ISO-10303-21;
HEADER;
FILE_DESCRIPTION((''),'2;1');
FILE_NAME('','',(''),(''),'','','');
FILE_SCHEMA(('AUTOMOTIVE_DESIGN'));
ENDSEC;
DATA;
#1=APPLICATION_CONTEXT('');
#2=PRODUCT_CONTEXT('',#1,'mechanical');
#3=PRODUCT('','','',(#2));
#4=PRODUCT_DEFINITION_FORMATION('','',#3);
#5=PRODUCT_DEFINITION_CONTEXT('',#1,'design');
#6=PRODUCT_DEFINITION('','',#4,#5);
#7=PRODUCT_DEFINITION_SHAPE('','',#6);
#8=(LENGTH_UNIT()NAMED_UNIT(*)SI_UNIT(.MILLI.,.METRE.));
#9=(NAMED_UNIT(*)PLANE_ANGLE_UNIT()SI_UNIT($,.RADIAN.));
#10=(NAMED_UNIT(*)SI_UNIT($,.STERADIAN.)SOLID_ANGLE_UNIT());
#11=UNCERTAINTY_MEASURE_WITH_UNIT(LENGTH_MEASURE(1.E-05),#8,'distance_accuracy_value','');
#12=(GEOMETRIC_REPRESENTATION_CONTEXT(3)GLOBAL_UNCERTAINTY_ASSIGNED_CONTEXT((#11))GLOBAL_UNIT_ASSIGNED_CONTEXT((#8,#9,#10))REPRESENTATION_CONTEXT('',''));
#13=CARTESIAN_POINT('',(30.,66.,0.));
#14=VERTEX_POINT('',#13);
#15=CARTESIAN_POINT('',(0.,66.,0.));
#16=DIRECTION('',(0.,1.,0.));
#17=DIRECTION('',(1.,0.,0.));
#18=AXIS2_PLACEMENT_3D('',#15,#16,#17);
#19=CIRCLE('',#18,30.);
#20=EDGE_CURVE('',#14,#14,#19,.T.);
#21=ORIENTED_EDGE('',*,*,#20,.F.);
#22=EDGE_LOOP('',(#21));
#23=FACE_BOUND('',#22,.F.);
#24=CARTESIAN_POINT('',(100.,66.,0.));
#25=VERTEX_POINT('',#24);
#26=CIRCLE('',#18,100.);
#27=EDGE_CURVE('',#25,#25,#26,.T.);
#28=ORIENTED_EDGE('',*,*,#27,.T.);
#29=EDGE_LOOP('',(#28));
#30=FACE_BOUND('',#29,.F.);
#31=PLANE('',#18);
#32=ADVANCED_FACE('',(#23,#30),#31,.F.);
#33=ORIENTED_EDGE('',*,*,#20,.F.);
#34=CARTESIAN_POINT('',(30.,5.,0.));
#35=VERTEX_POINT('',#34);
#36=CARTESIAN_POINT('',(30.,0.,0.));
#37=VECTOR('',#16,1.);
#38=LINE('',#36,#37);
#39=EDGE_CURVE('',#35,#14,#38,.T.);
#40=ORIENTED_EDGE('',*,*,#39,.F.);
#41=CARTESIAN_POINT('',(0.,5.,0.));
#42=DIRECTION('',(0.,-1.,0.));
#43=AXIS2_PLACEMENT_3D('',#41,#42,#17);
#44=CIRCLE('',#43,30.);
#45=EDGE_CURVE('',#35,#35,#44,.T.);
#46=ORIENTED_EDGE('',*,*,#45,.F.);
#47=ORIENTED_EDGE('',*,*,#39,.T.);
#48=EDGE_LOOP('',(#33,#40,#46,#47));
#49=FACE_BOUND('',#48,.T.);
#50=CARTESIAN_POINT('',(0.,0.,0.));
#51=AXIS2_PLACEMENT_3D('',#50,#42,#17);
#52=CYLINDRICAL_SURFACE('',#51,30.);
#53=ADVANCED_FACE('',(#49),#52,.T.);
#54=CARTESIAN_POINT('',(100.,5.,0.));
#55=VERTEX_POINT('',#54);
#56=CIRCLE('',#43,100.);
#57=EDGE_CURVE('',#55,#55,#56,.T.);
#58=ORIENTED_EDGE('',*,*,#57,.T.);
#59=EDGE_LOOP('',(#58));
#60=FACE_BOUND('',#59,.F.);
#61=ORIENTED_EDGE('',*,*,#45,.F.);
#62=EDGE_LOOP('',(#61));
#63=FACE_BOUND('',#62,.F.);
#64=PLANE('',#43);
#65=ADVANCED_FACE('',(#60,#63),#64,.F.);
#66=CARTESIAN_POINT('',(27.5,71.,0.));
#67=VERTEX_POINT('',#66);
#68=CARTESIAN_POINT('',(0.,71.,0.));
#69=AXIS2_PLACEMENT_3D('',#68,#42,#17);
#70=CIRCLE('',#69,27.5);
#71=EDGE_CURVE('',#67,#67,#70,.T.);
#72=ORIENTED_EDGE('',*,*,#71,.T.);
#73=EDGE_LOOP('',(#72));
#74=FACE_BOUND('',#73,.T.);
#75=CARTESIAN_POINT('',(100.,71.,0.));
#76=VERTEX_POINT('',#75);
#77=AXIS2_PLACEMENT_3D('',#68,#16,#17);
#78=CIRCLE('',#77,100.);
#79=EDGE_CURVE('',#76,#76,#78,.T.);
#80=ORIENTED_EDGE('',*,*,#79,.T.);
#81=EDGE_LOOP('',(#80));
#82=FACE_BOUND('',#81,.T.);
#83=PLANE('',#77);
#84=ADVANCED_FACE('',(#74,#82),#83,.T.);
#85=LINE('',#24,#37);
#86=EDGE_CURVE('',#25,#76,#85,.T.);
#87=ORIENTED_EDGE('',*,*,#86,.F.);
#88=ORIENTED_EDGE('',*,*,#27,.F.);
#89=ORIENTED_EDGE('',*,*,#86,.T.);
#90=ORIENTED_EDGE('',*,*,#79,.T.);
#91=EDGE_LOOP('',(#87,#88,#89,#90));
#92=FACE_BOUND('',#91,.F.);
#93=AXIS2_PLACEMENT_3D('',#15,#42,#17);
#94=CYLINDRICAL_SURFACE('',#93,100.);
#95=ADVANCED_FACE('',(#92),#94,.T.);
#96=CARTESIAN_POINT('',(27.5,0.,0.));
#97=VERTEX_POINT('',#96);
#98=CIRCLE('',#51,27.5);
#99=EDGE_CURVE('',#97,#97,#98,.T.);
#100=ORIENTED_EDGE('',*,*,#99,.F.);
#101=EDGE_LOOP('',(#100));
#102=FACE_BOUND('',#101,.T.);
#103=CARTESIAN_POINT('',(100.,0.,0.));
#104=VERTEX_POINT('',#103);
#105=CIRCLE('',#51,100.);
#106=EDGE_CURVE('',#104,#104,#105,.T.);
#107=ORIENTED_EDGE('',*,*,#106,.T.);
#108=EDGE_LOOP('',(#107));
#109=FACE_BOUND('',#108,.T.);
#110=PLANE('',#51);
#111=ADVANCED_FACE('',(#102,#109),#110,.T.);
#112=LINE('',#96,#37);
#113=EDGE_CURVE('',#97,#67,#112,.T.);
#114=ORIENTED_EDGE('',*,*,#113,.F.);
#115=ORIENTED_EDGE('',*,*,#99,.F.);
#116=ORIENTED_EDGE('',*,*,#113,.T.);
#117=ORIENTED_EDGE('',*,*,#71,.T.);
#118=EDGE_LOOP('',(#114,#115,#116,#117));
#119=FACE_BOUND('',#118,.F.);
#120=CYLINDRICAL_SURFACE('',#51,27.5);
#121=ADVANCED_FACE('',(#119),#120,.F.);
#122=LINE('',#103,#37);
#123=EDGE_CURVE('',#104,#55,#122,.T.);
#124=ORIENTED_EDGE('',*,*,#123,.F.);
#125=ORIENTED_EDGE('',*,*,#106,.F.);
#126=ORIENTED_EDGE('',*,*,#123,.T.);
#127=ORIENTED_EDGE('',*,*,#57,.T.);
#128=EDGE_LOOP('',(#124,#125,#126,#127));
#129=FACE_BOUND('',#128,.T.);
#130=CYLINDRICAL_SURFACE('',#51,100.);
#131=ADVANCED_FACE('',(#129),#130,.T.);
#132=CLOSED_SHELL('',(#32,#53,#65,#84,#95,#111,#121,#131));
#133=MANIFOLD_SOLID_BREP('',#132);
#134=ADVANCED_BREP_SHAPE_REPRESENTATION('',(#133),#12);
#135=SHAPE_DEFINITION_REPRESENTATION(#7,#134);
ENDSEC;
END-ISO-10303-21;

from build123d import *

# Parameters (mm, degrees)
F0_R        = 100
F0_R_2      = 30
F1_DEPTH    = 5
F2_START    = 61
F1_FACE_R   = 100
F1_FACE_R_2 = 30
F2_DEPTH    = 5
F0_R_3      = 27.5
F3_DEPTH    = 71


with BuildPart() as f1:
    # F0 (on Front) → F1 (new body)
    with BuildSketch(Plane.XZ):
        Circle(F0_R)
        Circle(F0_R_2, mode=Mode.SUBTRACT)
    extrude(amount=-F1_DEPTH)



with BuildPart() as f2:
    # F1_face (on face) → F2 (new body)
    with BuildSketch(Plane(origin=(0, 5, 0), x_dir=(1, 0, 0), z_dir=(0, 1, 0)).offset(F2_START)):
        Circle(F1_FACE_R)
        Circle(F1_FACE_R_2, mode=Mode.SUBTRACT)
    extrude(amount=F2_DEPTH)


with BuildPart() as f1_1:
    add(f1.part)

    add(f2.part)  # F3 merges F2
    # F0 (on Front) → F3 (join)
    with BuildSketch(Plane.XZ):
        Circle(F0_R_2)
        Circle(F0_R_3, mode=Mode.SUBTRACT)
    extrude(amount=-F3_DEPTH)


solid = f1_1.part
